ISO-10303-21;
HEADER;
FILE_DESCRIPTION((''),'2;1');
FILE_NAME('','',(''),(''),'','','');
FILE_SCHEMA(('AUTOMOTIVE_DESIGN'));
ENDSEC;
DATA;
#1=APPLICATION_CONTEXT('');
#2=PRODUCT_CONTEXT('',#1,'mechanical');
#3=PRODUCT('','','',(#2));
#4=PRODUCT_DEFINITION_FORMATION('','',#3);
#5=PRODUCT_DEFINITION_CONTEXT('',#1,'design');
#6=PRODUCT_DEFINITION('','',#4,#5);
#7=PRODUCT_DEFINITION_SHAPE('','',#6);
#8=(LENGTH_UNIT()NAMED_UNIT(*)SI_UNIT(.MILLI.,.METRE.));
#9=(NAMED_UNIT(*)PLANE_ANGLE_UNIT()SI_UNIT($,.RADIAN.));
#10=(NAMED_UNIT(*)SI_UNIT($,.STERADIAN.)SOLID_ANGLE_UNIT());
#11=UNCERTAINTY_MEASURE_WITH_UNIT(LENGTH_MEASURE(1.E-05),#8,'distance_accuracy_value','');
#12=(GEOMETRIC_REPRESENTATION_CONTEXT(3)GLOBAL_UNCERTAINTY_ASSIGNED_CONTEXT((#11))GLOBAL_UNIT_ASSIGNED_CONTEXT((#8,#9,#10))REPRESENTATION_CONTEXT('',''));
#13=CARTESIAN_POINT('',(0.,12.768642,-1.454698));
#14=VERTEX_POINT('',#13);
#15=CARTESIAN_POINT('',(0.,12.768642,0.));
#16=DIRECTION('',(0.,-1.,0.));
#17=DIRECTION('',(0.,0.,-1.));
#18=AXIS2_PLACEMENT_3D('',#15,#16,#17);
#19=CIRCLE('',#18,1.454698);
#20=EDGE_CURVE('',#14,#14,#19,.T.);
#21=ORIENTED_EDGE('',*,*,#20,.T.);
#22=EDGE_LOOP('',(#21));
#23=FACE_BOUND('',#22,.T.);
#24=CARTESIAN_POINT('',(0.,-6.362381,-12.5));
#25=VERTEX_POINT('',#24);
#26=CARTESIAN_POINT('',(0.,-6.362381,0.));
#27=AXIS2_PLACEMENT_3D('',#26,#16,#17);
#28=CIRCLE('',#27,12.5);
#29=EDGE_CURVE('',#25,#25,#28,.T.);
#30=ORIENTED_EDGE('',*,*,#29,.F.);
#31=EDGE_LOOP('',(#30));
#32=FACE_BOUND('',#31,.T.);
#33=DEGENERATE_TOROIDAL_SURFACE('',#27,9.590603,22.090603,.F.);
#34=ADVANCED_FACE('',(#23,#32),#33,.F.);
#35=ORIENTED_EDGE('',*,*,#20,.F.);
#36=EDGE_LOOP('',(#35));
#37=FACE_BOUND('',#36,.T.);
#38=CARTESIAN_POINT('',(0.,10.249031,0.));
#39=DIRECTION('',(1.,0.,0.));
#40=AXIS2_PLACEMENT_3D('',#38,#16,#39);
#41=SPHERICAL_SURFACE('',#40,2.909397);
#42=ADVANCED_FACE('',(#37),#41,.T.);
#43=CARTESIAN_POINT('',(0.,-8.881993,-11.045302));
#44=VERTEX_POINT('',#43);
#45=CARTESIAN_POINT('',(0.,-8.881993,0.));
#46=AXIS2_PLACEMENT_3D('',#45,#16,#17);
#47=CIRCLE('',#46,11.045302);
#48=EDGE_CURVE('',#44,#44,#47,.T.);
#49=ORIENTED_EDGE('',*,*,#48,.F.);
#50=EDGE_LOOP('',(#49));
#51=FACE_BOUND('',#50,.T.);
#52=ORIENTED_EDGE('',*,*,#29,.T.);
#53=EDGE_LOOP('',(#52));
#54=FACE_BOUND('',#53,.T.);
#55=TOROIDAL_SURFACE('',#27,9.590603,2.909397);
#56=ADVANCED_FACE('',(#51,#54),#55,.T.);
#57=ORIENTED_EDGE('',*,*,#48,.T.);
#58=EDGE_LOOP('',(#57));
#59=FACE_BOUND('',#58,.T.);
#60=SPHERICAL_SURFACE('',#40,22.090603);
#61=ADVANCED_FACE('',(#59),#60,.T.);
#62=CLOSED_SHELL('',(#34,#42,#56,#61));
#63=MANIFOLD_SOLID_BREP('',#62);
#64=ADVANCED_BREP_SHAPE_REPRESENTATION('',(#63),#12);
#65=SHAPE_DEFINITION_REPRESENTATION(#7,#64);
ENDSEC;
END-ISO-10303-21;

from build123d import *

# Parameters (mm, degrees)
SCALE1_SCALE = 0.5


with BuildPart() as part:
    # Sketch1 → Revolve1 (revolve)
    with BuildSketch(Plane.XY):
        with BuildLine():
            Line((0, 27.967342904), (0, -22.032657096))
            ThreePointArc((0, -22.032657096), (11.434937563, -20.527219006), (22.090603028, -16.113497855))
            ThreePointArc((22.090603028, -16.113497855), (24.220429431, -13.983671452), (25, -11.07427448))
            ThreePointArc((25, -11.07427448), (19.080840758, 11.016328548), (2.909396972, 27.187772335))
            ThreePointArc((2.909396972, 27.187772335), (1.506014692, 27.769072308), (0, 27.967342904))
        make_face()
    revolve(axis=Axis((0, 0, 0), (0, 1, 0)))


with BuildPart() as part_1:
    # Scale1: scaled about (0, -1.650487908, 0)
    add(part.part.scale(SCALE1_SCALE).moved(Location((0, -0.825243954, 0))))


solid = part_1.part
